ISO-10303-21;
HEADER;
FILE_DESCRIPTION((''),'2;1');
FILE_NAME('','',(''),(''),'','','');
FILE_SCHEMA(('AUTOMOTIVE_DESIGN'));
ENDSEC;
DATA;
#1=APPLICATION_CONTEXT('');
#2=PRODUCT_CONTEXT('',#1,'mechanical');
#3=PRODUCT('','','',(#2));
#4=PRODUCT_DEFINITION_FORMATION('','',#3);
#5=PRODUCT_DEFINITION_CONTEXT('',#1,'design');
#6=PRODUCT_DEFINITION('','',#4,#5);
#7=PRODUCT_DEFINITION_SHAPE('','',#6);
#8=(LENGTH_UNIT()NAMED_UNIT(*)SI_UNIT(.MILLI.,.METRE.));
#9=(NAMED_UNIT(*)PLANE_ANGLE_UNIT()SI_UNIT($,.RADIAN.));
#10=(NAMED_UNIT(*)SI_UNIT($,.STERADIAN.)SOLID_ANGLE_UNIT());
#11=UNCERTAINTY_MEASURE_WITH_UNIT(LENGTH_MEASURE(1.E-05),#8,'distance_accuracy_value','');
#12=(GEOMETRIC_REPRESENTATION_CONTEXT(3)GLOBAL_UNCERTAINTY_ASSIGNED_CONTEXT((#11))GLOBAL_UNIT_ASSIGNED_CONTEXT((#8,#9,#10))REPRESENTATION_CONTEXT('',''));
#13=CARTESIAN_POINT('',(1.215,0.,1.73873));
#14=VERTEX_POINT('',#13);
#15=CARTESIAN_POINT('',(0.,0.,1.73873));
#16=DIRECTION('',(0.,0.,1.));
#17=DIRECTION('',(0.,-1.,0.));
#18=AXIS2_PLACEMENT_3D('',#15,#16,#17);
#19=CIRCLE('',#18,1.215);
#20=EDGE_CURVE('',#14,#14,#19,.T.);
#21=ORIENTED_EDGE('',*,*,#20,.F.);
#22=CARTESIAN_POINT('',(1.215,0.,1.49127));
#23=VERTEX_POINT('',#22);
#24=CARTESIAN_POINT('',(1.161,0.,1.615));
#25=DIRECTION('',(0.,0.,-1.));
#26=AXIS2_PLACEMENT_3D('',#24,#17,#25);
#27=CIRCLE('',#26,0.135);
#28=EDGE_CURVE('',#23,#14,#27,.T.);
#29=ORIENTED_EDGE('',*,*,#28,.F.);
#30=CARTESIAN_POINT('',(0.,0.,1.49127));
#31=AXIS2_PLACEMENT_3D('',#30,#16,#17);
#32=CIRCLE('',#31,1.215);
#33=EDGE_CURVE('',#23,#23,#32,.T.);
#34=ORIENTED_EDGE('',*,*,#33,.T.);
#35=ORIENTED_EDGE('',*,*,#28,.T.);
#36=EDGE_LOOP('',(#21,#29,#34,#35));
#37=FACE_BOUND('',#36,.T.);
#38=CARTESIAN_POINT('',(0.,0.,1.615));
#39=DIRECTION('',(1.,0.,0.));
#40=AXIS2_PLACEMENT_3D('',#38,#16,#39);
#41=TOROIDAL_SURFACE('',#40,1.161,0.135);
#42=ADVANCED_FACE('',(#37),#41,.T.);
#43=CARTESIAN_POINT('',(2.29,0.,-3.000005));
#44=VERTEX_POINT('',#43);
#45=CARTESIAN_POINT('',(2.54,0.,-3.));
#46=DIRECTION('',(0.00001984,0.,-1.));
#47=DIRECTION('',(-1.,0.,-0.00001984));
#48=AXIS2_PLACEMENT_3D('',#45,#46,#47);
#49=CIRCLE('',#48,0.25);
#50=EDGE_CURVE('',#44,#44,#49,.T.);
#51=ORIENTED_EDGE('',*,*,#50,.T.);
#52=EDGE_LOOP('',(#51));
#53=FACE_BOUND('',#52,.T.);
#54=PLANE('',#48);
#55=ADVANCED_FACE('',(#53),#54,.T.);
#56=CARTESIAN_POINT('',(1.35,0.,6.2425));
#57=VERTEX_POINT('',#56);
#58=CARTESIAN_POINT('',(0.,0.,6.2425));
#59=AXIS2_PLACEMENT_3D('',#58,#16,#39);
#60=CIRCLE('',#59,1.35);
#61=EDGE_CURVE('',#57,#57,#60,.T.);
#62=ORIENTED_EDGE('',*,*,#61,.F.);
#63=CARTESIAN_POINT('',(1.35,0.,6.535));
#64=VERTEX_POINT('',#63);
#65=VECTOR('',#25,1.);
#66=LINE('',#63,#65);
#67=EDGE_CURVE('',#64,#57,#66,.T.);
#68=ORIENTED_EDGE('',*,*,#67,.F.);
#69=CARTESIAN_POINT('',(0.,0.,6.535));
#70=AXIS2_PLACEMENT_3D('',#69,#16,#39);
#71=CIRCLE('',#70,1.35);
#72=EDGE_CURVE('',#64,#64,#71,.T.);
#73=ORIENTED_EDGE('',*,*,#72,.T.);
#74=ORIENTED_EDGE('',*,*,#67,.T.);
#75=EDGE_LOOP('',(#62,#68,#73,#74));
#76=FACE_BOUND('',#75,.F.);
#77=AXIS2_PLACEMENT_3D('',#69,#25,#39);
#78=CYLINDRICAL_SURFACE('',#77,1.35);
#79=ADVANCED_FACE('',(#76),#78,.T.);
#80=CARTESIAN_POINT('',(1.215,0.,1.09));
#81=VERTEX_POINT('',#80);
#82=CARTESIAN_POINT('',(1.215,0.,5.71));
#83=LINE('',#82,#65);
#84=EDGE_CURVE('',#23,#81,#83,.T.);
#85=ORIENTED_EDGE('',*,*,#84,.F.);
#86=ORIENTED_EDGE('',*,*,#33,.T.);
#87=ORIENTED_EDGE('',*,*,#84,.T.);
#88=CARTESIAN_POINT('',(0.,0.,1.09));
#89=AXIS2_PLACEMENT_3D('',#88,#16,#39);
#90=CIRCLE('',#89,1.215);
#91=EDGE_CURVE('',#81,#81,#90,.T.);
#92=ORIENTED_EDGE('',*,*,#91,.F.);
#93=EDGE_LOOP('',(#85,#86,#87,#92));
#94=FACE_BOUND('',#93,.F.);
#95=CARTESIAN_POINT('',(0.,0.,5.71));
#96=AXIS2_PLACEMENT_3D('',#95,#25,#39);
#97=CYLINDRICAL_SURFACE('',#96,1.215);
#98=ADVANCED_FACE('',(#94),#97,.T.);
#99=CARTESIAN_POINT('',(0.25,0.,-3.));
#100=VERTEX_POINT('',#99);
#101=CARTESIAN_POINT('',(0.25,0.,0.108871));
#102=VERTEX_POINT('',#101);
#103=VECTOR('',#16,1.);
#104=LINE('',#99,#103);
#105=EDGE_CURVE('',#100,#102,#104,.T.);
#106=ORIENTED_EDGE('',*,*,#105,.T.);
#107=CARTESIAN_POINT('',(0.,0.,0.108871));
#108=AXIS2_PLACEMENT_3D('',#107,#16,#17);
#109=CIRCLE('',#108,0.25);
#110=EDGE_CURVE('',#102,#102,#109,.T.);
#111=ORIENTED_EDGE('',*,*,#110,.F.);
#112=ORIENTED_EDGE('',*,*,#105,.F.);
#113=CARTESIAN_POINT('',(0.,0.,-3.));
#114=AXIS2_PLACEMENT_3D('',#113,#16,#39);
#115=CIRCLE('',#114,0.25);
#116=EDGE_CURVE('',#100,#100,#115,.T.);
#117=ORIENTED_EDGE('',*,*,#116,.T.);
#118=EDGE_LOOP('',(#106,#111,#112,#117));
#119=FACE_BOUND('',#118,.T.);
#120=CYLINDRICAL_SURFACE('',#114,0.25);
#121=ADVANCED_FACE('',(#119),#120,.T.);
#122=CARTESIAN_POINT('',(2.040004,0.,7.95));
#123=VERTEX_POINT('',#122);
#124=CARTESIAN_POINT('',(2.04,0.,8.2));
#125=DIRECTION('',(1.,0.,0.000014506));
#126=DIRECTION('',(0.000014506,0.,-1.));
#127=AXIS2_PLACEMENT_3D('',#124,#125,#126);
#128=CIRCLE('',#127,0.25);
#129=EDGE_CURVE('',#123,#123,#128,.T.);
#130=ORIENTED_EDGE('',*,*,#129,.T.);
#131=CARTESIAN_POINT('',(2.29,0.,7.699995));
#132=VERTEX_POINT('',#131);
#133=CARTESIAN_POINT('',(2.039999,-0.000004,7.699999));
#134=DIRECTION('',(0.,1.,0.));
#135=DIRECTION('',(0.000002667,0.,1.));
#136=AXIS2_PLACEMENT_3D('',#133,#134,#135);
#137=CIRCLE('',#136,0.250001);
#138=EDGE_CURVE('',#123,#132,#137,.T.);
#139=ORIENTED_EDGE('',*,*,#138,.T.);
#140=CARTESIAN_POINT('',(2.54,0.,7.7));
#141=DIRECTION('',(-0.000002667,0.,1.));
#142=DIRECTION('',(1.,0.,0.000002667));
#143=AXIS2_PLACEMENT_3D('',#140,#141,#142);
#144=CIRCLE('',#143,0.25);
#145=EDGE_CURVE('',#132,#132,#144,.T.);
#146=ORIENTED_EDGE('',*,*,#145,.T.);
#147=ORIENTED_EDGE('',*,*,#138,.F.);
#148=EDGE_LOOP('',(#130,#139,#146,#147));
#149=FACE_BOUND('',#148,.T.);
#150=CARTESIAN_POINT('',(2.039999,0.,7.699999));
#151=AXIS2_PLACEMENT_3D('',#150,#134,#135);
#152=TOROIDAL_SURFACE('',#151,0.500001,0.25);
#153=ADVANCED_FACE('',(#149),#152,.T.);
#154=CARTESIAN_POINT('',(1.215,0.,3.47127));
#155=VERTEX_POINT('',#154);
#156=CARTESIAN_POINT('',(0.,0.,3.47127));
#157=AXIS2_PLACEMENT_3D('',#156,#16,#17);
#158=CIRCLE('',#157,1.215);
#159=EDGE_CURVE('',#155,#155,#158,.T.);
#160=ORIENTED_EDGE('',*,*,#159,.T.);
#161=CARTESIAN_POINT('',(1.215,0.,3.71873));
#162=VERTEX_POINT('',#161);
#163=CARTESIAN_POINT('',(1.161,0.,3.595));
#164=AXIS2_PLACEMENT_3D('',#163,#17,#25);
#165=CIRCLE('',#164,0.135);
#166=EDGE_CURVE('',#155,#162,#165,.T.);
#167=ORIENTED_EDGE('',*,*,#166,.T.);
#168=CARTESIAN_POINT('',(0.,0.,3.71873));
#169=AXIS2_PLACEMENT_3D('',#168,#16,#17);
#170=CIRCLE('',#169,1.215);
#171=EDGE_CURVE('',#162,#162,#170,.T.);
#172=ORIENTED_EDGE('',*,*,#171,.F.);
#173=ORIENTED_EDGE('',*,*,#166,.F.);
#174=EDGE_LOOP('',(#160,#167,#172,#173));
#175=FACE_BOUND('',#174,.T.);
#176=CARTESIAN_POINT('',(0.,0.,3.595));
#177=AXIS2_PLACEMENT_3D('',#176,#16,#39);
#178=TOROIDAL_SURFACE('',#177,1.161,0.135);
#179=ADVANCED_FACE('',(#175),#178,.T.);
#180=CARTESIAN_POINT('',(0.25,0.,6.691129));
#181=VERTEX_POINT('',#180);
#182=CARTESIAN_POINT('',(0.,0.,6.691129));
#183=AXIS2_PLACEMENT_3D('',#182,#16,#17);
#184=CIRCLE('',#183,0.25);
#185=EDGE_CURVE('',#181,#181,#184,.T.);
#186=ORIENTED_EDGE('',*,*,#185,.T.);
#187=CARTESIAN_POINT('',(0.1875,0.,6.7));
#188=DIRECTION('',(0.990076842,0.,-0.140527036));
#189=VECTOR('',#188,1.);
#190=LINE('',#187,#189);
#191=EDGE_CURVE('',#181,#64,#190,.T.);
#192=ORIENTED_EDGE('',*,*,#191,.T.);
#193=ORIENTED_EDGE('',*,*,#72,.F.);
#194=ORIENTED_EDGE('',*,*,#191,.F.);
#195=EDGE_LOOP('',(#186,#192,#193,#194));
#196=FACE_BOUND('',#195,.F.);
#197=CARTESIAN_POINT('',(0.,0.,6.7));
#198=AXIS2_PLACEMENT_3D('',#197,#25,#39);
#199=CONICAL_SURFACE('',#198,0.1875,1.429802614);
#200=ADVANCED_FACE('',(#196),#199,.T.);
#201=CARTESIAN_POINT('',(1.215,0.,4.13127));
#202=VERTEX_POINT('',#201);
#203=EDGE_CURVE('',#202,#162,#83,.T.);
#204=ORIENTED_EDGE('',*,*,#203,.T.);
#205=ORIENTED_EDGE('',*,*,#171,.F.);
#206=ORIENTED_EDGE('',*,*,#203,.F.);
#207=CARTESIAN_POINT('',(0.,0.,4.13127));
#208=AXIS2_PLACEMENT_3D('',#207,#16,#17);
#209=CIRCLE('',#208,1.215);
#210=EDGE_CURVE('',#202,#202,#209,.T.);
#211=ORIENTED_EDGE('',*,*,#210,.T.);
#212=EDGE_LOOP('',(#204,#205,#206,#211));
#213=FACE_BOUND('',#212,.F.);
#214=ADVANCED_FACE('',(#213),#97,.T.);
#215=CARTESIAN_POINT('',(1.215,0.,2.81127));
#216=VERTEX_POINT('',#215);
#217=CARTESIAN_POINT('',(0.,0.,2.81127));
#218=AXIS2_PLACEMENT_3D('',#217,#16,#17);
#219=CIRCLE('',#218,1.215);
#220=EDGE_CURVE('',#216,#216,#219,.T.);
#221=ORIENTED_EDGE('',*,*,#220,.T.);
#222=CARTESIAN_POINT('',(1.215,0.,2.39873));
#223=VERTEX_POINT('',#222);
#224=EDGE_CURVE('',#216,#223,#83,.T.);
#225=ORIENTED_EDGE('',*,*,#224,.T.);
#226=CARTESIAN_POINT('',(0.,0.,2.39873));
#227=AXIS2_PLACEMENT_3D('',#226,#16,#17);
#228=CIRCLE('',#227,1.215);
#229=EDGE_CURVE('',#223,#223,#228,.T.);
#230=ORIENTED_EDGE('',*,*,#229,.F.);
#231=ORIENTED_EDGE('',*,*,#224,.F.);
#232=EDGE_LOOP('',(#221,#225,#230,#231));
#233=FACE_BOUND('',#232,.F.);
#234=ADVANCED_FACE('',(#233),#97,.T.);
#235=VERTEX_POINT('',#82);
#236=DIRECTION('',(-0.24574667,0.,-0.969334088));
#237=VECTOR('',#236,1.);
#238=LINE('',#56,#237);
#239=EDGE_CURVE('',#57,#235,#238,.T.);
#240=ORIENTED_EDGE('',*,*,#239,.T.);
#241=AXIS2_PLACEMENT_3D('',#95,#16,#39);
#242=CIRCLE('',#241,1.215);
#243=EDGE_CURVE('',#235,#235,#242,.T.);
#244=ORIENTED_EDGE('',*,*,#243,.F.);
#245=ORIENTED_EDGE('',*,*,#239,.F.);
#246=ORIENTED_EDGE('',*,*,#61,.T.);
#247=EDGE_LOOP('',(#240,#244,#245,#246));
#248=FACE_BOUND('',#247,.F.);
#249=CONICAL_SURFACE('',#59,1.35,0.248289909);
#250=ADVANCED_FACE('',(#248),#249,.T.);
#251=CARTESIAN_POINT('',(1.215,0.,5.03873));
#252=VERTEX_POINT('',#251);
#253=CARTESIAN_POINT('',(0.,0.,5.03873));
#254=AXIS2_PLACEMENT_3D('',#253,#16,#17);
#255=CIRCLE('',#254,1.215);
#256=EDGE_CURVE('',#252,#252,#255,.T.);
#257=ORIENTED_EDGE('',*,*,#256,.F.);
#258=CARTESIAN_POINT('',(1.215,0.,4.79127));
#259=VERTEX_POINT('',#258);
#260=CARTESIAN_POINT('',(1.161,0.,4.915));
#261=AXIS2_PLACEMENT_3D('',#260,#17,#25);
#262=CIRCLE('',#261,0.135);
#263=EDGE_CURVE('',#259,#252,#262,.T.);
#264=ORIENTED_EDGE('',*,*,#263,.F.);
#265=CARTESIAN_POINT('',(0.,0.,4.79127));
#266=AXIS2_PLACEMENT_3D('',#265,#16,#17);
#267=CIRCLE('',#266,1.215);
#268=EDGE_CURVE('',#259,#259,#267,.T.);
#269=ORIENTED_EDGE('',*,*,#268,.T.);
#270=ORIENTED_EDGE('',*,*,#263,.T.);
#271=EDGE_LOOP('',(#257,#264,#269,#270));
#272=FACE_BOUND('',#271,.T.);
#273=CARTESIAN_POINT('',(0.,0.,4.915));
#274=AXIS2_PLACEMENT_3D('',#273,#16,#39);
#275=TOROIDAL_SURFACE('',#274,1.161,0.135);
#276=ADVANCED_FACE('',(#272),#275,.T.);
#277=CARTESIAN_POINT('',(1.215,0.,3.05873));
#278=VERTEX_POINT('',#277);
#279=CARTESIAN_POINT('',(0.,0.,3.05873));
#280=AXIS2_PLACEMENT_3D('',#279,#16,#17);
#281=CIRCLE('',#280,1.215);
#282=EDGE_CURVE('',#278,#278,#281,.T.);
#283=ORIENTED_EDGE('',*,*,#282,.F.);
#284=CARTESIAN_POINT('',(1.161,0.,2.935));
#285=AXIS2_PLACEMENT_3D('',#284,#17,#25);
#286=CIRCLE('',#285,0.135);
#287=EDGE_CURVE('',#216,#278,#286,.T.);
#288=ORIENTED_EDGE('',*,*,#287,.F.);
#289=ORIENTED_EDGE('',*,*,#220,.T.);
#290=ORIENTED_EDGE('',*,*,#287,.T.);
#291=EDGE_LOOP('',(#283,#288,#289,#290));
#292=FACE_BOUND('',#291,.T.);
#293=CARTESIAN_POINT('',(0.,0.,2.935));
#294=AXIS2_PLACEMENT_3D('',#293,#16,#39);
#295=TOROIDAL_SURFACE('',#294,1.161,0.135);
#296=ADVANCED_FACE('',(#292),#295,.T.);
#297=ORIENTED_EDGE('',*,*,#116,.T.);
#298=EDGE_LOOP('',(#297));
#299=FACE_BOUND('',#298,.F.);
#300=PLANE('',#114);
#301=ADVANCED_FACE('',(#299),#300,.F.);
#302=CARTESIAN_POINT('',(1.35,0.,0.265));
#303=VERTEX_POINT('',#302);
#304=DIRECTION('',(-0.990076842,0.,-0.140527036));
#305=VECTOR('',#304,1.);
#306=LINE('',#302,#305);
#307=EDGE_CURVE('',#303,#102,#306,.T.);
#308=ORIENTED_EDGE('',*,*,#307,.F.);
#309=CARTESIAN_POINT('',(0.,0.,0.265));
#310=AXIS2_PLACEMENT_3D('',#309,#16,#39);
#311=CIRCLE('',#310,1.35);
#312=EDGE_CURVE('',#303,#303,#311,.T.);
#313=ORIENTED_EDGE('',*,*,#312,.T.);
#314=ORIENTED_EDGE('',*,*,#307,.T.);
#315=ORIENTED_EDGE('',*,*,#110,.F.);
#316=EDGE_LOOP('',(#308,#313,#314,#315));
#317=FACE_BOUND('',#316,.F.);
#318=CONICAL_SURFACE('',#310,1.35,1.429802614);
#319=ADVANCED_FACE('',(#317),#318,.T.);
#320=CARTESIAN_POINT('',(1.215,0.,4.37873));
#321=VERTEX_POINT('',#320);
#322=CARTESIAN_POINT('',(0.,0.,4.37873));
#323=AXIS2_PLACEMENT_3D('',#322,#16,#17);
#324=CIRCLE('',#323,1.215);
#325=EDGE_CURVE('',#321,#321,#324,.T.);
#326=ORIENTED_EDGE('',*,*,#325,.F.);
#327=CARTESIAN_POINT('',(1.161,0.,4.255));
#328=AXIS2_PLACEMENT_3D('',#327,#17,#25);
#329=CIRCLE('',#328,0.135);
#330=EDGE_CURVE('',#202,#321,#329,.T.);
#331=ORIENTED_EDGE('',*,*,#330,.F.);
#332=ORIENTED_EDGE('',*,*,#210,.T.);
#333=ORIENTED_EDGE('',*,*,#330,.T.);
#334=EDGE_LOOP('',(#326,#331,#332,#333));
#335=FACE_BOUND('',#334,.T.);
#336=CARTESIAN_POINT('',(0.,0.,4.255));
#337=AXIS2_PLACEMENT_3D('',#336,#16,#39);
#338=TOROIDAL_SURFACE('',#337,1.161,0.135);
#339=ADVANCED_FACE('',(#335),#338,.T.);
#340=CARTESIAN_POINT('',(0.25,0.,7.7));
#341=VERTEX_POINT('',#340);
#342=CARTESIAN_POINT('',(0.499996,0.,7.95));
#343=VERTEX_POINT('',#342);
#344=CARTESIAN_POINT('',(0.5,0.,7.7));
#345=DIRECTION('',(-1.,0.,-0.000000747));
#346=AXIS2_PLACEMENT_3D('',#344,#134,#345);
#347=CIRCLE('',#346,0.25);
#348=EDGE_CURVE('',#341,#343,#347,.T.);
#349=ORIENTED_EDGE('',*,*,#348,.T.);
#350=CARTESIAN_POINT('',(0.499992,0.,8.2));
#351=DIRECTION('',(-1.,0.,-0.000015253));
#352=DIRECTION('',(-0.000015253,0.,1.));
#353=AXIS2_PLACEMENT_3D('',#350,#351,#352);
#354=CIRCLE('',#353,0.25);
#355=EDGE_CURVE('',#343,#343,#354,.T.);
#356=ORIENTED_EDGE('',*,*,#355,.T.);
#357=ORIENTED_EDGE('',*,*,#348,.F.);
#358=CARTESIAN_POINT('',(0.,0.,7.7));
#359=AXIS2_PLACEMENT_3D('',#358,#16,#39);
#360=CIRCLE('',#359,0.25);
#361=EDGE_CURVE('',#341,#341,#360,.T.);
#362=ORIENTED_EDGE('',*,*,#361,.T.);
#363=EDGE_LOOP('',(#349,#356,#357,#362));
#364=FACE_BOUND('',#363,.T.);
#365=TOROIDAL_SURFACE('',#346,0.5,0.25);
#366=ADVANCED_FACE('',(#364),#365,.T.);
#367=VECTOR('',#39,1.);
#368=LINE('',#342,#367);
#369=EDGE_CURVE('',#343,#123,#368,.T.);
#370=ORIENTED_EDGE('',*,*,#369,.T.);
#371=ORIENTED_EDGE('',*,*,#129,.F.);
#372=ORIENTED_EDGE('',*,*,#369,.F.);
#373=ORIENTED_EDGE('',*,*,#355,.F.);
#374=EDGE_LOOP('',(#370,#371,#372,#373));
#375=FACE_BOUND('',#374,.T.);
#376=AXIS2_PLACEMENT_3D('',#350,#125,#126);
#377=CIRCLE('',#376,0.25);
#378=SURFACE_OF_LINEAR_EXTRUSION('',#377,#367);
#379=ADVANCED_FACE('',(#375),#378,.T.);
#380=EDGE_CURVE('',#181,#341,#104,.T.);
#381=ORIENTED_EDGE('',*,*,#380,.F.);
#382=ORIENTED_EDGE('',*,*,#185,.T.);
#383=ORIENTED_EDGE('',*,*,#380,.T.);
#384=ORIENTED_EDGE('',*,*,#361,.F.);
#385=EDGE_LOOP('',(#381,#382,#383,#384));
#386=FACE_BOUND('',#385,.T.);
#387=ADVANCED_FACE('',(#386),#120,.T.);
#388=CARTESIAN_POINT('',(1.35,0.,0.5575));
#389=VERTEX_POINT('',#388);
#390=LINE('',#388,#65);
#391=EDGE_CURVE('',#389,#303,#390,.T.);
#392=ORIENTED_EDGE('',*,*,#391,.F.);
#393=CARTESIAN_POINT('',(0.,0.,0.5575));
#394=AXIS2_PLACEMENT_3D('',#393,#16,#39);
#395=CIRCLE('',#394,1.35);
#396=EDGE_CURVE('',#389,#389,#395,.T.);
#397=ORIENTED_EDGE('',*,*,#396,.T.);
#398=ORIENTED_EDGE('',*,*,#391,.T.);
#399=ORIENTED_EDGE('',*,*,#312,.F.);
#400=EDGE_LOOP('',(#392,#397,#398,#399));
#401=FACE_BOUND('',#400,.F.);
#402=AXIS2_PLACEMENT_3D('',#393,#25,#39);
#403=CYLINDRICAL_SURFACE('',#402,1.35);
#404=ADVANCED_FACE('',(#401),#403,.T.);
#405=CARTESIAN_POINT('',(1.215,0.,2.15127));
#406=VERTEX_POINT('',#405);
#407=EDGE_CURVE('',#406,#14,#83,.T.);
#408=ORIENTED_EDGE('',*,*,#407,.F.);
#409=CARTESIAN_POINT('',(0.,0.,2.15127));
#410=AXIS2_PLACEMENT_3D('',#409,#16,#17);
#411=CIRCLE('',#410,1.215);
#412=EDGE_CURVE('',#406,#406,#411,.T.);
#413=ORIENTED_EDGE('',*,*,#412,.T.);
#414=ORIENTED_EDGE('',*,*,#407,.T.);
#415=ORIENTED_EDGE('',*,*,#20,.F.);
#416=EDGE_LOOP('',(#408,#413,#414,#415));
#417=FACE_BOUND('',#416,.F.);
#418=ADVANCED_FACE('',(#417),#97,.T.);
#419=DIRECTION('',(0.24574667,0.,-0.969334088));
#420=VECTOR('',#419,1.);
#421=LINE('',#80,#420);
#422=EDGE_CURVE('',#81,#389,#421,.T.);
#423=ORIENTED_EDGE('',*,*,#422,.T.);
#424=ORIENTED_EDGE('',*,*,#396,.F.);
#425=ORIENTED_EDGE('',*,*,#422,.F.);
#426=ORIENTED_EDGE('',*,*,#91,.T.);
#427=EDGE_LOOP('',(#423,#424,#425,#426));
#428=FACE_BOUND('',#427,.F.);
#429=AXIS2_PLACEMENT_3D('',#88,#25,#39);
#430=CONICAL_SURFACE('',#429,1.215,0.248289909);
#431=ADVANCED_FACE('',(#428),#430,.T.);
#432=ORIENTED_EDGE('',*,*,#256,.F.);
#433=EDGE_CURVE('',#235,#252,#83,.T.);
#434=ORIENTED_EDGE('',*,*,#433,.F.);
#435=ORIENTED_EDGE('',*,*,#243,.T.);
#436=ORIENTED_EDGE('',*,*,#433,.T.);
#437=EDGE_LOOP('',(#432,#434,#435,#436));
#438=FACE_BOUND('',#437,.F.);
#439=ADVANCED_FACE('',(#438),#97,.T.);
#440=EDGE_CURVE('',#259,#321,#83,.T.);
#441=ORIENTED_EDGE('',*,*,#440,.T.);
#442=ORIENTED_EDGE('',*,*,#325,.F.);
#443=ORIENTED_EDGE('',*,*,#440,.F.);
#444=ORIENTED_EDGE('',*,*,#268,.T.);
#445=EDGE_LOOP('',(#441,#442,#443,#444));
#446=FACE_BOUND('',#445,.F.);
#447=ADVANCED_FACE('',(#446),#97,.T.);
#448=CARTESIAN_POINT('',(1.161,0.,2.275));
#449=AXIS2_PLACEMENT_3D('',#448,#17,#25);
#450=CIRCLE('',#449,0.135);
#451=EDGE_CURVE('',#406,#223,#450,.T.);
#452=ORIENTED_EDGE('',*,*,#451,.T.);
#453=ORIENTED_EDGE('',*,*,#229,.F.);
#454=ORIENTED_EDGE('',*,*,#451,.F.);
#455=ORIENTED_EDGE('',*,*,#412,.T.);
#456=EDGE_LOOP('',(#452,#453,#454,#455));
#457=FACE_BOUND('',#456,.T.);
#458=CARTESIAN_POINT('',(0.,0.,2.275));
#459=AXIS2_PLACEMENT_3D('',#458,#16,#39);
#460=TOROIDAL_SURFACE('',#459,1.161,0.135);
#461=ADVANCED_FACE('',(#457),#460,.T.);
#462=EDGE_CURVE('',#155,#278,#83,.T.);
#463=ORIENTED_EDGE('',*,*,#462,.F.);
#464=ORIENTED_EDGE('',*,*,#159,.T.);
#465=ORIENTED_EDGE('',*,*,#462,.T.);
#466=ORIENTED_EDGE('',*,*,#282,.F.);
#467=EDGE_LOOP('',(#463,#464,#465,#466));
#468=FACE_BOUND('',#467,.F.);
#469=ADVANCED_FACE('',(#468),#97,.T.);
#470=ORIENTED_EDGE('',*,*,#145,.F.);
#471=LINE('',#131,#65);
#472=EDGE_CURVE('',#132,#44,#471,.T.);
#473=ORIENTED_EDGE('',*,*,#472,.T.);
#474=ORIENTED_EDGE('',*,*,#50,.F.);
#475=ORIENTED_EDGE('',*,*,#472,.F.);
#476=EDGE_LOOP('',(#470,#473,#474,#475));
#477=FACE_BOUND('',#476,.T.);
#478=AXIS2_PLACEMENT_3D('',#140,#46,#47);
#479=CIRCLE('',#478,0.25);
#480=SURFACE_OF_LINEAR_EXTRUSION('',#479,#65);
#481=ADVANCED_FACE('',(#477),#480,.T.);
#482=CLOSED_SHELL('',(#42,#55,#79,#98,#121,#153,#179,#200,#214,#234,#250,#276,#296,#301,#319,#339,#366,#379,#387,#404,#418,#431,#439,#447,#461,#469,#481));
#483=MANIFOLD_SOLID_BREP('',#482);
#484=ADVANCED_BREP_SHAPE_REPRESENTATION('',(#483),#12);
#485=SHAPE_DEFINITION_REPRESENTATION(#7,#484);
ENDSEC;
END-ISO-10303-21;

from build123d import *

# Parameters (mm, degrees)
SKETCH_R = 0.25


with BuildPart() as revolution:
    # Sketch002 → Revolution (revolve)
    with BuildSketch(Plane.XZ):
        Polygon((0, 0.1), (0, 6.7), (0.1875, 6.7), (1.35, 6.535), (1.35, 6.2425), (1.215, 5.71), (1.215, 1.09), (1.35, 0.5575), (1.35, 0.265), (0.1875, 0.1), align=None)
    revolve(axis=Axis((0, 0, 0), (0, 0, 1)))


with BuildPart() as revolution001:
    # Sketch003 → Revolution001 (revolve)
    with BuildSketch(Plane.XZ):
        with BuildLine():
            Line((1.08, 5.44), (1.08, 1.09))
            Line((1.08, 1.09), (1.161, 1.09))
            Line((1.161, 1.09), (1.161, 1.48))
            ThreePointArc((1.161, 1.48), (1.296, 1.615), (1.161, 1.75))
            Line((1.161, 1.75), (1.161, 2.14))
            ThreePointArc((1.161, 2.14), (1.296, 2.275), (1.161, 2.41))
            Line((1.161, 2.41), (1.161, 2.8))
            ThreePointArc((1.161, 2.8), (1.296, 2.935), (1.161, 3.07))
            Line((1.161, 3.07), (1.161, 3.46))
            ThreePointArc((1.161, 3.46), (1.296, 3.595), (1.161, 3.73))
            Line((1.161, 3.73), (1.161, 4.12))
            ThreePointArc((1.161, 4.12), (1.296, 4.255), (1.161, 4.39))
            Line((1.161, 4.39), (1.161, 4.78))
            ThreePointArc((1.161, 4.78), (1.296, 4.915), (1.161, 5.05))
            Line((1.161, 5.44), (1.161, 5.05))
            Line((1.08, 5.44), (1.161, 5.44))
        make_face()
    revolve(axis=Axis((0, 0, 0), (0, 0, 1)))


with BuildPart() as sweep_mp_cp:
    # Sweep: sweep along a path in Sketch001
    with BuildLine(Plane.XZ) as sweep_path:
        Line((0, -3), (0, 7.7))
        ThreePointArc((0, 7.7), (0.146444, 8.053551), (0.499992, 8.2))
        Line((0.499992, 8.2), (2.04, 8.2))
        ThreePointArc((2.04, 8.2), (2.393553, 8.053553), (2.54, 7.7))
        Line((2.54, 7.7), (2.54, -3))
    # Sketch → Sweep (sweep)
    with BuildSketch(Plane.XY.offset(-2)):
        Circle(SKETCH_R)
    sweep(path=sweep_path.line)

    # Sweep_mp_cp: union Revolution, Revolution001
    add(revolution.part)
    add(revolution001.part)


solid = sweep_mp_cp.part
